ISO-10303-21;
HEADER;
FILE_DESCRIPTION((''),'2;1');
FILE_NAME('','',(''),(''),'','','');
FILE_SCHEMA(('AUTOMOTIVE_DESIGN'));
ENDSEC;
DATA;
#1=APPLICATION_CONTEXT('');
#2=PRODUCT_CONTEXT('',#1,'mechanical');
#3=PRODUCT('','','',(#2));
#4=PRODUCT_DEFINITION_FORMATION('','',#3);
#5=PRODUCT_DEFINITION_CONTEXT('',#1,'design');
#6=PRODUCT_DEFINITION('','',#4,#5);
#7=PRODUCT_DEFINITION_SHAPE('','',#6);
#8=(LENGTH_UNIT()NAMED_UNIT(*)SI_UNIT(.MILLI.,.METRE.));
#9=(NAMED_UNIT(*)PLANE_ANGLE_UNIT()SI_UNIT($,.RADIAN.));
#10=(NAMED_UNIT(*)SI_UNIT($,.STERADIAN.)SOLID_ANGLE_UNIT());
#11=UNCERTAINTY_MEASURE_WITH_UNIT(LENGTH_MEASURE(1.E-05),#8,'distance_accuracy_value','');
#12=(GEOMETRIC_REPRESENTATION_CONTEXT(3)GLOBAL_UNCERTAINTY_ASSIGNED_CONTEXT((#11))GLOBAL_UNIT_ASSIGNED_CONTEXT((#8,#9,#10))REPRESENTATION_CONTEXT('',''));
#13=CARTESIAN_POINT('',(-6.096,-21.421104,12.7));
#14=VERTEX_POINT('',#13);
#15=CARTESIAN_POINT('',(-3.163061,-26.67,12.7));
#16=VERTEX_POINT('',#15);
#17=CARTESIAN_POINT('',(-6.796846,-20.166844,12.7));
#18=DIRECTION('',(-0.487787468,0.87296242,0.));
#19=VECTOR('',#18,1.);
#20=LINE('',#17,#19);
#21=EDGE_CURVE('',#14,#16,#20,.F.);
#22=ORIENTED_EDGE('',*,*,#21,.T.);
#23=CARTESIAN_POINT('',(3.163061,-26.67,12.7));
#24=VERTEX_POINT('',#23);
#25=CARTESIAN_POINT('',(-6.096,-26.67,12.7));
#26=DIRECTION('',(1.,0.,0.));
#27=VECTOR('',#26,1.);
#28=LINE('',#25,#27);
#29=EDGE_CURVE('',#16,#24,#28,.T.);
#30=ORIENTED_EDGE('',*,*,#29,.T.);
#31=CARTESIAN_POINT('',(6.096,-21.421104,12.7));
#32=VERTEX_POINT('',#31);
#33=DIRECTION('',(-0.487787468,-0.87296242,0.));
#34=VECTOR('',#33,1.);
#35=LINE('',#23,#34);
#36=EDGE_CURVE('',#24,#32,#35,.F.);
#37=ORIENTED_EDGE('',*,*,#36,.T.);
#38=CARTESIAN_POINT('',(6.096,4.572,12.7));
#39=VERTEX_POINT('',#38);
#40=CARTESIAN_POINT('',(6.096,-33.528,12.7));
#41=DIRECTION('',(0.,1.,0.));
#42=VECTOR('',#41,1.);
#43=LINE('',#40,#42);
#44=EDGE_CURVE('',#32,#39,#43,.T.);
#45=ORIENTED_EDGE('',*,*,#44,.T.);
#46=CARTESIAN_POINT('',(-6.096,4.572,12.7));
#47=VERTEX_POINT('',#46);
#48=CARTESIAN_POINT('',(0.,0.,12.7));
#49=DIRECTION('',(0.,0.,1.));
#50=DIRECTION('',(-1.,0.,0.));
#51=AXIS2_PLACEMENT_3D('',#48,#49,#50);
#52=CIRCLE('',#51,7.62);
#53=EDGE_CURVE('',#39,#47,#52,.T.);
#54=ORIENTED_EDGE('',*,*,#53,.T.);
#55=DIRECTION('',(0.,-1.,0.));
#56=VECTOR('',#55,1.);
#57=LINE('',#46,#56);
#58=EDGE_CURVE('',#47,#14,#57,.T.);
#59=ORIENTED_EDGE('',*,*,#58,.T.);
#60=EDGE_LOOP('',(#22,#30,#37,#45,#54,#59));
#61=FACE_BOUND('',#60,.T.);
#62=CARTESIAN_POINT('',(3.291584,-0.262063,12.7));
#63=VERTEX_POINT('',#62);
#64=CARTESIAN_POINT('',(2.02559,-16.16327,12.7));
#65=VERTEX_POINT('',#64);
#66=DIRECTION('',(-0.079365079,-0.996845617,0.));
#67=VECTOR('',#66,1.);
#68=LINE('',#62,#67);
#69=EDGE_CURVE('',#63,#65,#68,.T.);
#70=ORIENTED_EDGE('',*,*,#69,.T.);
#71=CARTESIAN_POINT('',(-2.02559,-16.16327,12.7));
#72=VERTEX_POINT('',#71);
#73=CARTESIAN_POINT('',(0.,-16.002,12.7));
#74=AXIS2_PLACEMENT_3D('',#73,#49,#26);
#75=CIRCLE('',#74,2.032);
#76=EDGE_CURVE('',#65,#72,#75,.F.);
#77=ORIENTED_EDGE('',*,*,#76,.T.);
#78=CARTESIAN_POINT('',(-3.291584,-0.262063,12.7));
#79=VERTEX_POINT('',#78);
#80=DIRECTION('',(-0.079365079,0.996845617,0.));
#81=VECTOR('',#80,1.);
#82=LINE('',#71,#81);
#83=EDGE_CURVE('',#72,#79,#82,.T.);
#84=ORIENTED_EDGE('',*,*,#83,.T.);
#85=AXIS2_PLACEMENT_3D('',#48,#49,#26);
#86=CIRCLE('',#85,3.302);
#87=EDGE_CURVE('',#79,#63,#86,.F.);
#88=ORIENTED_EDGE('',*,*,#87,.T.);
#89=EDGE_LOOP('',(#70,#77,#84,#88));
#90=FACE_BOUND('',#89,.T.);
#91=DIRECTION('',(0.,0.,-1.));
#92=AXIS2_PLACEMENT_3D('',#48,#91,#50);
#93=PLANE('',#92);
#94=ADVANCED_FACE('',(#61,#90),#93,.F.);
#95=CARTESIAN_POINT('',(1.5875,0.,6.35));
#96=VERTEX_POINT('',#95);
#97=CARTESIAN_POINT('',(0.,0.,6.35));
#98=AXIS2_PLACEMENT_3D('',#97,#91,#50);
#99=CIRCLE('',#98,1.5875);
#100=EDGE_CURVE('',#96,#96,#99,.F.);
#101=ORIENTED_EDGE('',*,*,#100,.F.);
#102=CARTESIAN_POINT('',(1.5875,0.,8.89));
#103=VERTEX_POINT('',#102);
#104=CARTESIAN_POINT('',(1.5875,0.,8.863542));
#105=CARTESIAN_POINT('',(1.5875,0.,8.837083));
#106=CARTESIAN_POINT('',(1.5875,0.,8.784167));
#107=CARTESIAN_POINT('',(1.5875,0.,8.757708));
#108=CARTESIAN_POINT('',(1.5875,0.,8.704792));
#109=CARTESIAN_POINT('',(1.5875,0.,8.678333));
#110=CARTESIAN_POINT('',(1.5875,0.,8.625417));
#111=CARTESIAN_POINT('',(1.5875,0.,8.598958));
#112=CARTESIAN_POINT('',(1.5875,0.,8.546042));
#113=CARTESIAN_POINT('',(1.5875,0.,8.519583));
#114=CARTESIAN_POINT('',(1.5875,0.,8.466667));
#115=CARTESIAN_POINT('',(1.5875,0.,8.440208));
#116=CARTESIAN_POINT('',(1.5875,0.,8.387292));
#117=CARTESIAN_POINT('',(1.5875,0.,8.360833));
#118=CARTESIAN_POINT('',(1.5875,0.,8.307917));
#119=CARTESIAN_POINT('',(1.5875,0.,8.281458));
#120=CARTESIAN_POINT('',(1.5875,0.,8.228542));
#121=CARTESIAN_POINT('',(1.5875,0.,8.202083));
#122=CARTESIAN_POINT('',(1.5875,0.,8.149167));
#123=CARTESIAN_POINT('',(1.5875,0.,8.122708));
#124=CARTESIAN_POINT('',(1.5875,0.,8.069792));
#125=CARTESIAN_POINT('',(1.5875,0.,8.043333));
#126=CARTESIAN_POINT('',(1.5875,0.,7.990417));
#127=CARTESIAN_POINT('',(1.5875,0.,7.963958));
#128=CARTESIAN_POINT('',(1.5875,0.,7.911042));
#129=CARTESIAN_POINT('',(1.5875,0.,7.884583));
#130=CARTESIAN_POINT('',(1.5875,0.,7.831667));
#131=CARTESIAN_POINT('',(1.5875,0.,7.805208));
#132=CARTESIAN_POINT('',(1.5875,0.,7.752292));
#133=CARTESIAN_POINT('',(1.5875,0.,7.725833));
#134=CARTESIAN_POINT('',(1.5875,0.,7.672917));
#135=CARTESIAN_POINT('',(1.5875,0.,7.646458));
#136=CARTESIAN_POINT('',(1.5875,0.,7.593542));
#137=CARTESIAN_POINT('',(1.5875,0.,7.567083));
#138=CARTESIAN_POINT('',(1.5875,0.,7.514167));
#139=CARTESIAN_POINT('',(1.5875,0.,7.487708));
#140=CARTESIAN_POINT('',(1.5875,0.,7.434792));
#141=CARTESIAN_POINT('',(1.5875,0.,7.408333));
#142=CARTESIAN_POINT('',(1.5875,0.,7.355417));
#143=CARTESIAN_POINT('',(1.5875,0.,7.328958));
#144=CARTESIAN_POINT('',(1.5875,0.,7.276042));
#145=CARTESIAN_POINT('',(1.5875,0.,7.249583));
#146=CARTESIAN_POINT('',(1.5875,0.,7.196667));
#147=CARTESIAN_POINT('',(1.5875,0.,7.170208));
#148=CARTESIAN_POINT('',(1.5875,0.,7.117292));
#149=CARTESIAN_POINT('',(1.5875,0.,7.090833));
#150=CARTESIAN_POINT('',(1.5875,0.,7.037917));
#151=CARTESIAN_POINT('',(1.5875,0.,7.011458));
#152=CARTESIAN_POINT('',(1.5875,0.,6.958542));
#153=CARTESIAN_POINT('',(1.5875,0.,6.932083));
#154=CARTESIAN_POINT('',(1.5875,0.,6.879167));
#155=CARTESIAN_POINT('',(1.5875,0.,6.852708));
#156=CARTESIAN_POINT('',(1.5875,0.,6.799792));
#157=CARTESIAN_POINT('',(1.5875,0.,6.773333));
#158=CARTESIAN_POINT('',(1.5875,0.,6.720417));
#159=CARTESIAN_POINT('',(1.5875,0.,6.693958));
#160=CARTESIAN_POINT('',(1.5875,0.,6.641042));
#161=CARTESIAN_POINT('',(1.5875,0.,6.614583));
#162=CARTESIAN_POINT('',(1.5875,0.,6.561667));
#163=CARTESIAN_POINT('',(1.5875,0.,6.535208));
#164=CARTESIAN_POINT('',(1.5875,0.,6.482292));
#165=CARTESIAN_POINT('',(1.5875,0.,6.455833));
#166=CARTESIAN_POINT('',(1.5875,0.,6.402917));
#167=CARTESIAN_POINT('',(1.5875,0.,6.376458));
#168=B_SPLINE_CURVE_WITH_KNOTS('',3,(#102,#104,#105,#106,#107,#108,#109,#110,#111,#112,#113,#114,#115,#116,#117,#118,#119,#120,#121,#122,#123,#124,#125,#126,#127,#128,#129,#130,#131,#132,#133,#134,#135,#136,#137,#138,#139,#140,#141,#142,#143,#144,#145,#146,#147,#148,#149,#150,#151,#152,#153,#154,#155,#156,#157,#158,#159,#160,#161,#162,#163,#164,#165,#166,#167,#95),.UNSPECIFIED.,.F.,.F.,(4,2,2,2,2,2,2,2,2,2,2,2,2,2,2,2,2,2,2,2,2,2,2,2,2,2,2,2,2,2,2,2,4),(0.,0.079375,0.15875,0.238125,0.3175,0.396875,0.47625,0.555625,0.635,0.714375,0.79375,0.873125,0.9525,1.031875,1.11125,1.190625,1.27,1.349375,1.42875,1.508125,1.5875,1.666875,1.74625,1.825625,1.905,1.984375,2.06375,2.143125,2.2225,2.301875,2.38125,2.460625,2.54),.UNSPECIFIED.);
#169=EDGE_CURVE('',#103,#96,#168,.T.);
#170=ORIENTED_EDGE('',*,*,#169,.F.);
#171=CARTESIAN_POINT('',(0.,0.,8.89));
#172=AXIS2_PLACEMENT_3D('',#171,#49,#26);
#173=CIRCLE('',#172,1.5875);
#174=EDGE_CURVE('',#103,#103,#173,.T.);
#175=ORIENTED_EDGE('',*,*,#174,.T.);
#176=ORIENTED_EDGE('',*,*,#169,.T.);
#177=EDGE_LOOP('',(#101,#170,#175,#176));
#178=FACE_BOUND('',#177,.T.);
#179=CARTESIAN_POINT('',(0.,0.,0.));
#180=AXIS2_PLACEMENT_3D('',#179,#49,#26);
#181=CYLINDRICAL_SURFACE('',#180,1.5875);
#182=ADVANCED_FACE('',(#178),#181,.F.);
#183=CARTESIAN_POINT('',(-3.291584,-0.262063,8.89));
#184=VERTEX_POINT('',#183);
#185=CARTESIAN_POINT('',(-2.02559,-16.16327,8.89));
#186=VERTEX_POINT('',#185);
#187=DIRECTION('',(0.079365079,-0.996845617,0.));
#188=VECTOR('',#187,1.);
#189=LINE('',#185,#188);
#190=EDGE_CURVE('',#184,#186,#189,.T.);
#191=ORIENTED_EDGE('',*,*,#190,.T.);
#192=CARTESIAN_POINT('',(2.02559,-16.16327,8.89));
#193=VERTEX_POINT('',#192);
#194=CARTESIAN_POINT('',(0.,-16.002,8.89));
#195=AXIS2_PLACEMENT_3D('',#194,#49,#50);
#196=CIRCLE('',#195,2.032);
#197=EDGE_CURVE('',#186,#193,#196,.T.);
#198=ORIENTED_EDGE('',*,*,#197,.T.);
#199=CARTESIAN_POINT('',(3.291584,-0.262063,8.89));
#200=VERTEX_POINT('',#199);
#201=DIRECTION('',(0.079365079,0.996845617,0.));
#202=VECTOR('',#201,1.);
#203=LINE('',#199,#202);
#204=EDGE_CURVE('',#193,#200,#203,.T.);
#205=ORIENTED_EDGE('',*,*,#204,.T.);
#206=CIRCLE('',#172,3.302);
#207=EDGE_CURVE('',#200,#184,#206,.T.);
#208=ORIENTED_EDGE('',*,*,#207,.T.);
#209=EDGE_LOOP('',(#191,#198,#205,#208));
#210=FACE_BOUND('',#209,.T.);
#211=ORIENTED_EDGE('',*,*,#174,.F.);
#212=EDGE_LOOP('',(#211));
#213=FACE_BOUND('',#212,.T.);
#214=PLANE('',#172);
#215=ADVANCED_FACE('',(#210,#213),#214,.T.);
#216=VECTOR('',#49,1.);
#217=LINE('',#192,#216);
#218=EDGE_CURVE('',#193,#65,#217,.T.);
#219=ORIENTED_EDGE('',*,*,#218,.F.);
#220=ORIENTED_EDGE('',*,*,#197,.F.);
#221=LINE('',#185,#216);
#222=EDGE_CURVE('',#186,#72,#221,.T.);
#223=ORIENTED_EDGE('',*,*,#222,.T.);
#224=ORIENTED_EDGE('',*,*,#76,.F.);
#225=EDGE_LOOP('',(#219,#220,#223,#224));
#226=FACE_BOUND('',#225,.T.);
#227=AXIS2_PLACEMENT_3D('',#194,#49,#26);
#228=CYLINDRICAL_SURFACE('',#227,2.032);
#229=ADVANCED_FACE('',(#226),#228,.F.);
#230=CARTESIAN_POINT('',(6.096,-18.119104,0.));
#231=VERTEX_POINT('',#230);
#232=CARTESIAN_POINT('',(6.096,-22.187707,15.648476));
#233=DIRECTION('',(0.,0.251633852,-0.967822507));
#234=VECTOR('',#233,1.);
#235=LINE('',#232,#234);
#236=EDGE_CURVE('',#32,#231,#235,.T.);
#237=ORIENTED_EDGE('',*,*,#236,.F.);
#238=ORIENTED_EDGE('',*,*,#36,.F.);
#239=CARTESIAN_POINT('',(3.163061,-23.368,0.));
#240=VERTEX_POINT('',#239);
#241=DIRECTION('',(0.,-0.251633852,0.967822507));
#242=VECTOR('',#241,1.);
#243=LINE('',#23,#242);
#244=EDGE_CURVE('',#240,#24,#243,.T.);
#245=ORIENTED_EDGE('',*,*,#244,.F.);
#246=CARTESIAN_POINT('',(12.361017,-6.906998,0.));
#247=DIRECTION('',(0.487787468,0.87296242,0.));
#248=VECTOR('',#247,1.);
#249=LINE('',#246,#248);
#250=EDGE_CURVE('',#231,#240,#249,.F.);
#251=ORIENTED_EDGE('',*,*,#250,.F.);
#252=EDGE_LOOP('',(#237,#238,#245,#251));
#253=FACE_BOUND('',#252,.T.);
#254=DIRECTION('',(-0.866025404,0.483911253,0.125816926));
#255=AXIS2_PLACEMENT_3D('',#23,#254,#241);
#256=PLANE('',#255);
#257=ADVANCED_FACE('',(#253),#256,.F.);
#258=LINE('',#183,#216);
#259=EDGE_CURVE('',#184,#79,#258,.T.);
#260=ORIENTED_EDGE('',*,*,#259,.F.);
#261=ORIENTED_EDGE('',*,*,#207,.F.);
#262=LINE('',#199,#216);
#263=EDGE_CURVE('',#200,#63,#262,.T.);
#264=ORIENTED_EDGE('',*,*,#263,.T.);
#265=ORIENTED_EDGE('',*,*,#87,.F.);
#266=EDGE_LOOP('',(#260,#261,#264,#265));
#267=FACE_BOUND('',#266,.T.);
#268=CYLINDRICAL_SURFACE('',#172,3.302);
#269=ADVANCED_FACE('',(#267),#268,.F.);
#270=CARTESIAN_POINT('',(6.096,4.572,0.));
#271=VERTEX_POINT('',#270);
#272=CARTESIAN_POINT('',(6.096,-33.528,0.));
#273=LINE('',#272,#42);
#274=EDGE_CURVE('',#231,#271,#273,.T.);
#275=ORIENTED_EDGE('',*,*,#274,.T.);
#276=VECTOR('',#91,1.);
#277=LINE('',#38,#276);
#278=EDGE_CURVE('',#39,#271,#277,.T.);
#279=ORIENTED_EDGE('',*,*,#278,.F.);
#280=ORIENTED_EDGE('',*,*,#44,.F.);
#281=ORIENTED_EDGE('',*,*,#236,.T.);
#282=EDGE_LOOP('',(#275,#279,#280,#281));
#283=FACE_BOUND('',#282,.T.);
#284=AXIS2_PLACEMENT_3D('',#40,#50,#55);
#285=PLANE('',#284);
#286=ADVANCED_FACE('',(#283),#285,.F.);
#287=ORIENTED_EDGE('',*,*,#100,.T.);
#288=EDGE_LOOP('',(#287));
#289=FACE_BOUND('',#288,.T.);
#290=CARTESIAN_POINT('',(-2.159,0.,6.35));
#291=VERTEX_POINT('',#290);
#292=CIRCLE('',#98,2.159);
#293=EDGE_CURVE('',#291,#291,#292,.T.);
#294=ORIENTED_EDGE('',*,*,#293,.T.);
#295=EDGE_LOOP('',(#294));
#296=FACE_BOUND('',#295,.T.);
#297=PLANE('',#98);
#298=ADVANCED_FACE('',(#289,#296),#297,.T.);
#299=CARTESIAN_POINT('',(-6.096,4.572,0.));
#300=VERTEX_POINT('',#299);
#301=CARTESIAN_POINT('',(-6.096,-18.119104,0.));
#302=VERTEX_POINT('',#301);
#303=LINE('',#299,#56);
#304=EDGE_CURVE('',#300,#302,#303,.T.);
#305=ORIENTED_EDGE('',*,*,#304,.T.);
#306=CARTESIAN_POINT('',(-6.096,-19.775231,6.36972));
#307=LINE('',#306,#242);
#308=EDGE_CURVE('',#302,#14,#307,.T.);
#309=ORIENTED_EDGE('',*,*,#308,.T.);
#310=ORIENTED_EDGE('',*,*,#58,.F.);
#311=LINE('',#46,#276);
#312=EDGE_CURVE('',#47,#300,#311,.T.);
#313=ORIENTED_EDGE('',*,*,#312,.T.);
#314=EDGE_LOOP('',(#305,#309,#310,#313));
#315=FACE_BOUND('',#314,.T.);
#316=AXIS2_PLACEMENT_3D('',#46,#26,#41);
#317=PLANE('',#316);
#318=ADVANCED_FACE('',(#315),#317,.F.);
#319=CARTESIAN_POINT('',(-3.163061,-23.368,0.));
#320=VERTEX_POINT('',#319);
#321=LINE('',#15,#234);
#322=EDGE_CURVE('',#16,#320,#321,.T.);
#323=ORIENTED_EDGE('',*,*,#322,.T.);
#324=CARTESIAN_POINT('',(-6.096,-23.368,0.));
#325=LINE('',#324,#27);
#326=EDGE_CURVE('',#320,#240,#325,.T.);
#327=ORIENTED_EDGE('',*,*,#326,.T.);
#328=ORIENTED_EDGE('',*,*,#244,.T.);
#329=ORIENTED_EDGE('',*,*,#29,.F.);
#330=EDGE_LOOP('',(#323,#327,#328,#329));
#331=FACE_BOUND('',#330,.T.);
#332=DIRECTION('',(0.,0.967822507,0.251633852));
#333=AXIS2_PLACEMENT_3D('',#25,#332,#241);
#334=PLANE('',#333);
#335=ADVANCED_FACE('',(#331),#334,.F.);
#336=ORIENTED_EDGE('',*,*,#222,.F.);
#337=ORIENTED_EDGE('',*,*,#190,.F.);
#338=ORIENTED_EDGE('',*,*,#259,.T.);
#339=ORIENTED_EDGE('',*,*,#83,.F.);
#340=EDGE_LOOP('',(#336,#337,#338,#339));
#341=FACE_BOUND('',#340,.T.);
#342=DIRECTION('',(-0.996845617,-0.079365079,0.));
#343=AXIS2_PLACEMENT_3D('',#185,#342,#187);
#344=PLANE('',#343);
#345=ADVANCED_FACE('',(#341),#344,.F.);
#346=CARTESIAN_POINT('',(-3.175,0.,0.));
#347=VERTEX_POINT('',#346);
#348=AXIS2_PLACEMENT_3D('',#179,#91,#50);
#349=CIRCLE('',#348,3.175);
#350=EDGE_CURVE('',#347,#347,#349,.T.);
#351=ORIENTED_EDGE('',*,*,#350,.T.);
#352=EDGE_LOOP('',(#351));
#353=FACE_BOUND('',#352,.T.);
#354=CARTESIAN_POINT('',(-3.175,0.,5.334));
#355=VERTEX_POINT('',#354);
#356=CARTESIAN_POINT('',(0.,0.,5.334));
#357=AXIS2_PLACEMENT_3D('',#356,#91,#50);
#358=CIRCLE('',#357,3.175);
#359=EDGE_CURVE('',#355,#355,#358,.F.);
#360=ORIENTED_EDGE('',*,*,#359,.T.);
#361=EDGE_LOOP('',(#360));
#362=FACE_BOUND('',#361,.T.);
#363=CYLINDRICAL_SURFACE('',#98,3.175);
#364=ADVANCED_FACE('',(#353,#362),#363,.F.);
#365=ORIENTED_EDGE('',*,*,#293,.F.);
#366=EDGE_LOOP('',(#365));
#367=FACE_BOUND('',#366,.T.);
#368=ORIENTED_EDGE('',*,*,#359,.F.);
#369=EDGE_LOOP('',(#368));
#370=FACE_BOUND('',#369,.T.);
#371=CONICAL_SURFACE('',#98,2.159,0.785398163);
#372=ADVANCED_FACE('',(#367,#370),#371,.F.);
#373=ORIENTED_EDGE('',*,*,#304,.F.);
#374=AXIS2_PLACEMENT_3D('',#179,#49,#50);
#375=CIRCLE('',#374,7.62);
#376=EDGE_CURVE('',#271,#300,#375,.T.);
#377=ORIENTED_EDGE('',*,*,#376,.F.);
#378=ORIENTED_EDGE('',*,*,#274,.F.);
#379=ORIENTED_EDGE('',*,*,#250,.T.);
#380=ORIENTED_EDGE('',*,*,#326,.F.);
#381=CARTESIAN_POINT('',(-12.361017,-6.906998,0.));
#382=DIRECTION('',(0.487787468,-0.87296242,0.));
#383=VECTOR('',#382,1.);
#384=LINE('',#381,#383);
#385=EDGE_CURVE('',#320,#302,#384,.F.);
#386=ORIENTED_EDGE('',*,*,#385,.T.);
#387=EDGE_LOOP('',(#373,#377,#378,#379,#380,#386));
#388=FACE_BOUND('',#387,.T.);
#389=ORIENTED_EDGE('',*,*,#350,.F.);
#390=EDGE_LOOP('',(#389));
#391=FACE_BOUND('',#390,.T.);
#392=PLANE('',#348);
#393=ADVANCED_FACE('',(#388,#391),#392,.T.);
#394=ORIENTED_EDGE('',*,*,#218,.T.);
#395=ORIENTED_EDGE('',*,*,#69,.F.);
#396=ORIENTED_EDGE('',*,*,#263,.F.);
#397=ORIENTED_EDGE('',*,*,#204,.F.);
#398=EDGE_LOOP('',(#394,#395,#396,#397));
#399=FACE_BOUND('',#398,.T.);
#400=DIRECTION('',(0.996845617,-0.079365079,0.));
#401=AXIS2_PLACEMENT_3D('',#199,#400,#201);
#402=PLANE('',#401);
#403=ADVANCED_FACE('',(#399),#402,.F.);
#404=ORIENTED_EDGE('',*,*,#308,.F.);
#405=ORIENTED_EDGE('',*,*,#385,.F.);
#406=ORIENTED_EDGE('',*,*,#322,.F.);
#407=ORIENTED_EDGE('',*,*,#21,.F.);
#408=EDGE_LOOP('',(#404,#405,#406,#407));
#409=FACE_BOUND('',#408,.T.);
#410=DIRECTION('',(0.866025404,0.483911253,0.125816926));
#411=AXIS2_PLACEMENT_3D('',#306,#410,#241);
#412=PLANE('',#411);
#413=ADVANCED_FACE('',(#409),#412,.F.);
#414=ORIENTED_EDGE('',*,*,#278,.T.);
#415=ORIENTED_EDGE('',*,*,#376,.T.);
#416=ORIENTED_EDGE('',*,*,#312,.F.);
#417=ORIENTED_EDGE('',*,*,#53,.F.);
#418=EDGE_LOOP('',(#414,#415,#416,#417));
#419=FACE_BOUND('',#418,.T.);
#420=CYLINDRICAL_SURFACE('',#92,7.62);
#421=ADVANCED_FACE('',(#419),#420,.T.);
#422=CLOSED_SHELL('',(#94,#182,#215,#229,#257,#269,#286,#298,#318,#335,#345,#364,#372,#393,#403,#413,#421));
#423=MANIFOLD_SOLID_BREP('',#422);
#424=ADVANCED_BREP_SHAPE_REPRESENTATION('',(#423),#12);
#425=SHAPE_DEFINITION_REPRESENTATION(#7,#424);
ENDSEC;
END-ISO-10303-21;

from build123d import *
from OCP.BRepFilletAPI import BRepFilletAPI_MakeChamfer

# Parameters (mm, degrees)
BOSS_EXTRUDE1_DEPTH     = 12.7
CUT_EXTRUDE1_DEPTH      = 37.367265501
CUT_EXTRUDE1_DEPTH_BACK = 3.81
CUT_EXTRUDE2_DEPTH      = 38.86900643
SKETCH4_R               = 1.5875
CUT_EXTRUDE3_DEPTH      = 29.765990614
SKETCH5_R               = 3.175
CUT_EXTRUDE4_DEPTH      = 6.35
CHAMFER1_SIZE           = 1.016
CHAMFER2_SIZE           = 5.08
CHAMFER2_SIZE2          = 2.932939367


with BuildPart() as part:
    # Sketch1 → Boss-Extrude1 (new body)
    with BuildSketch(Plane.XY):
        with BuildLine():
            Line((-6.096, 4.572), (-6.096, -33.528))
            Line((-6.096, -33.528), (6.096, -33.528))
            Line((6.096, -33.528), (6.096, 4.572))
            ThreePointArc((6.096, 4.572), (0, 7.62), (-6.096, 4.572))
        make_face()
    extrude(amount=BOSS_EXTRUDE1_DEPTH)

    # Sketch2 → Cut-Extrude1 (cut, two sides: drawn at the far end of the back side and taken through both)
    with BuildSketch(Plane.XY.offset(12.7).offset(-CUT_EXTRUDE1_DEPTH_BACK)):
        with BuildLine():
            Line((3.291584227, -0.262063492), (2.025590294, -16.163269841))
            ThreePointArc((2.025590294, -16.163269841), (0, -18.034), (-2.025590294, -16.163269841))
            Line((-2.025590294, -16.163269841), (-3.291584227, -0.262063492))
            ThreePointArc((-3.291584227, -0.262063492), (0, 3.302), (3.291584227, -0.262063492))
        make_face()
    extrude(amount=CUT_EXTRUDE1_DEPTH + CUT_EXTRUDE1_DEPTH_BACK, mode=Mode.SUBTRACT)

    # Sketch3 → Cut-Extrude2 (cut, through all)
    with BuildSketch(Plane(origin=(6.096, 0, 0), x_dir=(0, 0, -1), z_dir=(1, 0, 0))):
        Polygon((-12.7, -33.528), (-12.7, -26.67), (0, -23.368), (0, -33.528), align=None)
    extrude(amount=-CUT_EXTRUDE2_DEPTH, mode=Mode.SUBTRACT)

    # Sketch4 → Cut-Extrude3 (cut, through all)
    with BuildSketch(Plane.XY.offset(8.89)):
        Circle(SKETCH4_R)
    extrude(amount=-CUT_EXTRUDE3_DEPTH, mode=Mode.SUBTRACT)

    # Sketch5 → Cut-Extrude4 (cut)
    with BuildSketch(Plane(origin=(0, 0, 0), x_dir=(-1, 0, 0), z_dir=(0, 0, -1))):
        Circle(SKETCH5_R)
    extrude(amount=-CUT_EXTRUDE4_DEPTH, mode=Mode.SUBTRACT)

    # Chamfer1
    chamfer1_edges = [part.edges().sort_by_distance(p)[0] for p in [
        (3.175, 0, 6.35),
    ]]
    chamfer(chamfer1_edges, length=CHAMFER1_SIZE)

    # Chamfer2: one chamfer whose edges measure the first distance from different faces: ONE call of the kernel's chamfer builder (chamfer() names one face for all edges)
    chamfer2_edges_1 = [part.edges().sort_by_distance(p)[0] for p in [
        (-6.096, -25.019, 6.35),
    ]]
    chamfer2_side_1 = [part.faces().sort_by_distance(p)[0] for p in [
        (-6.096, -10.238852647, 6.468097282),
    ]]
    chamfer2_edges_2 = [part.edges().sort_by_distance(p)[0] for p in [
        (6.096, -25.019, 6.35),
    ]]
    chamfer2_side_2 = [part.faces().sort_by_distance(p)[0] for p in [
        (6.096, -10.238852647, 6.468097282),
    ]]
    chamfer2 = BRepFilletAPI_MakeChamfer(part.part.solid().wrapped)
    for e in chamfer2_edges_1:
        chamfer2.Add(CHAMFER2_SIZE, CHAMFER2_SIZE2, e.wrapped, chamfer2_side_1[0].wrapped)  # the first distance lies on this face
    for e in chamfer2_edges_2:
        chamfer2.Add(CHAMFER2_SIZE, CHAMFER2_SIZE2, e.wrapped, chamfer2_side_2[0].wrapped)  # the first distance lies on this face
    add(Compound.cast(chamfer2.Shape()), mode=Mode.REPLACE)


solid = part.part
